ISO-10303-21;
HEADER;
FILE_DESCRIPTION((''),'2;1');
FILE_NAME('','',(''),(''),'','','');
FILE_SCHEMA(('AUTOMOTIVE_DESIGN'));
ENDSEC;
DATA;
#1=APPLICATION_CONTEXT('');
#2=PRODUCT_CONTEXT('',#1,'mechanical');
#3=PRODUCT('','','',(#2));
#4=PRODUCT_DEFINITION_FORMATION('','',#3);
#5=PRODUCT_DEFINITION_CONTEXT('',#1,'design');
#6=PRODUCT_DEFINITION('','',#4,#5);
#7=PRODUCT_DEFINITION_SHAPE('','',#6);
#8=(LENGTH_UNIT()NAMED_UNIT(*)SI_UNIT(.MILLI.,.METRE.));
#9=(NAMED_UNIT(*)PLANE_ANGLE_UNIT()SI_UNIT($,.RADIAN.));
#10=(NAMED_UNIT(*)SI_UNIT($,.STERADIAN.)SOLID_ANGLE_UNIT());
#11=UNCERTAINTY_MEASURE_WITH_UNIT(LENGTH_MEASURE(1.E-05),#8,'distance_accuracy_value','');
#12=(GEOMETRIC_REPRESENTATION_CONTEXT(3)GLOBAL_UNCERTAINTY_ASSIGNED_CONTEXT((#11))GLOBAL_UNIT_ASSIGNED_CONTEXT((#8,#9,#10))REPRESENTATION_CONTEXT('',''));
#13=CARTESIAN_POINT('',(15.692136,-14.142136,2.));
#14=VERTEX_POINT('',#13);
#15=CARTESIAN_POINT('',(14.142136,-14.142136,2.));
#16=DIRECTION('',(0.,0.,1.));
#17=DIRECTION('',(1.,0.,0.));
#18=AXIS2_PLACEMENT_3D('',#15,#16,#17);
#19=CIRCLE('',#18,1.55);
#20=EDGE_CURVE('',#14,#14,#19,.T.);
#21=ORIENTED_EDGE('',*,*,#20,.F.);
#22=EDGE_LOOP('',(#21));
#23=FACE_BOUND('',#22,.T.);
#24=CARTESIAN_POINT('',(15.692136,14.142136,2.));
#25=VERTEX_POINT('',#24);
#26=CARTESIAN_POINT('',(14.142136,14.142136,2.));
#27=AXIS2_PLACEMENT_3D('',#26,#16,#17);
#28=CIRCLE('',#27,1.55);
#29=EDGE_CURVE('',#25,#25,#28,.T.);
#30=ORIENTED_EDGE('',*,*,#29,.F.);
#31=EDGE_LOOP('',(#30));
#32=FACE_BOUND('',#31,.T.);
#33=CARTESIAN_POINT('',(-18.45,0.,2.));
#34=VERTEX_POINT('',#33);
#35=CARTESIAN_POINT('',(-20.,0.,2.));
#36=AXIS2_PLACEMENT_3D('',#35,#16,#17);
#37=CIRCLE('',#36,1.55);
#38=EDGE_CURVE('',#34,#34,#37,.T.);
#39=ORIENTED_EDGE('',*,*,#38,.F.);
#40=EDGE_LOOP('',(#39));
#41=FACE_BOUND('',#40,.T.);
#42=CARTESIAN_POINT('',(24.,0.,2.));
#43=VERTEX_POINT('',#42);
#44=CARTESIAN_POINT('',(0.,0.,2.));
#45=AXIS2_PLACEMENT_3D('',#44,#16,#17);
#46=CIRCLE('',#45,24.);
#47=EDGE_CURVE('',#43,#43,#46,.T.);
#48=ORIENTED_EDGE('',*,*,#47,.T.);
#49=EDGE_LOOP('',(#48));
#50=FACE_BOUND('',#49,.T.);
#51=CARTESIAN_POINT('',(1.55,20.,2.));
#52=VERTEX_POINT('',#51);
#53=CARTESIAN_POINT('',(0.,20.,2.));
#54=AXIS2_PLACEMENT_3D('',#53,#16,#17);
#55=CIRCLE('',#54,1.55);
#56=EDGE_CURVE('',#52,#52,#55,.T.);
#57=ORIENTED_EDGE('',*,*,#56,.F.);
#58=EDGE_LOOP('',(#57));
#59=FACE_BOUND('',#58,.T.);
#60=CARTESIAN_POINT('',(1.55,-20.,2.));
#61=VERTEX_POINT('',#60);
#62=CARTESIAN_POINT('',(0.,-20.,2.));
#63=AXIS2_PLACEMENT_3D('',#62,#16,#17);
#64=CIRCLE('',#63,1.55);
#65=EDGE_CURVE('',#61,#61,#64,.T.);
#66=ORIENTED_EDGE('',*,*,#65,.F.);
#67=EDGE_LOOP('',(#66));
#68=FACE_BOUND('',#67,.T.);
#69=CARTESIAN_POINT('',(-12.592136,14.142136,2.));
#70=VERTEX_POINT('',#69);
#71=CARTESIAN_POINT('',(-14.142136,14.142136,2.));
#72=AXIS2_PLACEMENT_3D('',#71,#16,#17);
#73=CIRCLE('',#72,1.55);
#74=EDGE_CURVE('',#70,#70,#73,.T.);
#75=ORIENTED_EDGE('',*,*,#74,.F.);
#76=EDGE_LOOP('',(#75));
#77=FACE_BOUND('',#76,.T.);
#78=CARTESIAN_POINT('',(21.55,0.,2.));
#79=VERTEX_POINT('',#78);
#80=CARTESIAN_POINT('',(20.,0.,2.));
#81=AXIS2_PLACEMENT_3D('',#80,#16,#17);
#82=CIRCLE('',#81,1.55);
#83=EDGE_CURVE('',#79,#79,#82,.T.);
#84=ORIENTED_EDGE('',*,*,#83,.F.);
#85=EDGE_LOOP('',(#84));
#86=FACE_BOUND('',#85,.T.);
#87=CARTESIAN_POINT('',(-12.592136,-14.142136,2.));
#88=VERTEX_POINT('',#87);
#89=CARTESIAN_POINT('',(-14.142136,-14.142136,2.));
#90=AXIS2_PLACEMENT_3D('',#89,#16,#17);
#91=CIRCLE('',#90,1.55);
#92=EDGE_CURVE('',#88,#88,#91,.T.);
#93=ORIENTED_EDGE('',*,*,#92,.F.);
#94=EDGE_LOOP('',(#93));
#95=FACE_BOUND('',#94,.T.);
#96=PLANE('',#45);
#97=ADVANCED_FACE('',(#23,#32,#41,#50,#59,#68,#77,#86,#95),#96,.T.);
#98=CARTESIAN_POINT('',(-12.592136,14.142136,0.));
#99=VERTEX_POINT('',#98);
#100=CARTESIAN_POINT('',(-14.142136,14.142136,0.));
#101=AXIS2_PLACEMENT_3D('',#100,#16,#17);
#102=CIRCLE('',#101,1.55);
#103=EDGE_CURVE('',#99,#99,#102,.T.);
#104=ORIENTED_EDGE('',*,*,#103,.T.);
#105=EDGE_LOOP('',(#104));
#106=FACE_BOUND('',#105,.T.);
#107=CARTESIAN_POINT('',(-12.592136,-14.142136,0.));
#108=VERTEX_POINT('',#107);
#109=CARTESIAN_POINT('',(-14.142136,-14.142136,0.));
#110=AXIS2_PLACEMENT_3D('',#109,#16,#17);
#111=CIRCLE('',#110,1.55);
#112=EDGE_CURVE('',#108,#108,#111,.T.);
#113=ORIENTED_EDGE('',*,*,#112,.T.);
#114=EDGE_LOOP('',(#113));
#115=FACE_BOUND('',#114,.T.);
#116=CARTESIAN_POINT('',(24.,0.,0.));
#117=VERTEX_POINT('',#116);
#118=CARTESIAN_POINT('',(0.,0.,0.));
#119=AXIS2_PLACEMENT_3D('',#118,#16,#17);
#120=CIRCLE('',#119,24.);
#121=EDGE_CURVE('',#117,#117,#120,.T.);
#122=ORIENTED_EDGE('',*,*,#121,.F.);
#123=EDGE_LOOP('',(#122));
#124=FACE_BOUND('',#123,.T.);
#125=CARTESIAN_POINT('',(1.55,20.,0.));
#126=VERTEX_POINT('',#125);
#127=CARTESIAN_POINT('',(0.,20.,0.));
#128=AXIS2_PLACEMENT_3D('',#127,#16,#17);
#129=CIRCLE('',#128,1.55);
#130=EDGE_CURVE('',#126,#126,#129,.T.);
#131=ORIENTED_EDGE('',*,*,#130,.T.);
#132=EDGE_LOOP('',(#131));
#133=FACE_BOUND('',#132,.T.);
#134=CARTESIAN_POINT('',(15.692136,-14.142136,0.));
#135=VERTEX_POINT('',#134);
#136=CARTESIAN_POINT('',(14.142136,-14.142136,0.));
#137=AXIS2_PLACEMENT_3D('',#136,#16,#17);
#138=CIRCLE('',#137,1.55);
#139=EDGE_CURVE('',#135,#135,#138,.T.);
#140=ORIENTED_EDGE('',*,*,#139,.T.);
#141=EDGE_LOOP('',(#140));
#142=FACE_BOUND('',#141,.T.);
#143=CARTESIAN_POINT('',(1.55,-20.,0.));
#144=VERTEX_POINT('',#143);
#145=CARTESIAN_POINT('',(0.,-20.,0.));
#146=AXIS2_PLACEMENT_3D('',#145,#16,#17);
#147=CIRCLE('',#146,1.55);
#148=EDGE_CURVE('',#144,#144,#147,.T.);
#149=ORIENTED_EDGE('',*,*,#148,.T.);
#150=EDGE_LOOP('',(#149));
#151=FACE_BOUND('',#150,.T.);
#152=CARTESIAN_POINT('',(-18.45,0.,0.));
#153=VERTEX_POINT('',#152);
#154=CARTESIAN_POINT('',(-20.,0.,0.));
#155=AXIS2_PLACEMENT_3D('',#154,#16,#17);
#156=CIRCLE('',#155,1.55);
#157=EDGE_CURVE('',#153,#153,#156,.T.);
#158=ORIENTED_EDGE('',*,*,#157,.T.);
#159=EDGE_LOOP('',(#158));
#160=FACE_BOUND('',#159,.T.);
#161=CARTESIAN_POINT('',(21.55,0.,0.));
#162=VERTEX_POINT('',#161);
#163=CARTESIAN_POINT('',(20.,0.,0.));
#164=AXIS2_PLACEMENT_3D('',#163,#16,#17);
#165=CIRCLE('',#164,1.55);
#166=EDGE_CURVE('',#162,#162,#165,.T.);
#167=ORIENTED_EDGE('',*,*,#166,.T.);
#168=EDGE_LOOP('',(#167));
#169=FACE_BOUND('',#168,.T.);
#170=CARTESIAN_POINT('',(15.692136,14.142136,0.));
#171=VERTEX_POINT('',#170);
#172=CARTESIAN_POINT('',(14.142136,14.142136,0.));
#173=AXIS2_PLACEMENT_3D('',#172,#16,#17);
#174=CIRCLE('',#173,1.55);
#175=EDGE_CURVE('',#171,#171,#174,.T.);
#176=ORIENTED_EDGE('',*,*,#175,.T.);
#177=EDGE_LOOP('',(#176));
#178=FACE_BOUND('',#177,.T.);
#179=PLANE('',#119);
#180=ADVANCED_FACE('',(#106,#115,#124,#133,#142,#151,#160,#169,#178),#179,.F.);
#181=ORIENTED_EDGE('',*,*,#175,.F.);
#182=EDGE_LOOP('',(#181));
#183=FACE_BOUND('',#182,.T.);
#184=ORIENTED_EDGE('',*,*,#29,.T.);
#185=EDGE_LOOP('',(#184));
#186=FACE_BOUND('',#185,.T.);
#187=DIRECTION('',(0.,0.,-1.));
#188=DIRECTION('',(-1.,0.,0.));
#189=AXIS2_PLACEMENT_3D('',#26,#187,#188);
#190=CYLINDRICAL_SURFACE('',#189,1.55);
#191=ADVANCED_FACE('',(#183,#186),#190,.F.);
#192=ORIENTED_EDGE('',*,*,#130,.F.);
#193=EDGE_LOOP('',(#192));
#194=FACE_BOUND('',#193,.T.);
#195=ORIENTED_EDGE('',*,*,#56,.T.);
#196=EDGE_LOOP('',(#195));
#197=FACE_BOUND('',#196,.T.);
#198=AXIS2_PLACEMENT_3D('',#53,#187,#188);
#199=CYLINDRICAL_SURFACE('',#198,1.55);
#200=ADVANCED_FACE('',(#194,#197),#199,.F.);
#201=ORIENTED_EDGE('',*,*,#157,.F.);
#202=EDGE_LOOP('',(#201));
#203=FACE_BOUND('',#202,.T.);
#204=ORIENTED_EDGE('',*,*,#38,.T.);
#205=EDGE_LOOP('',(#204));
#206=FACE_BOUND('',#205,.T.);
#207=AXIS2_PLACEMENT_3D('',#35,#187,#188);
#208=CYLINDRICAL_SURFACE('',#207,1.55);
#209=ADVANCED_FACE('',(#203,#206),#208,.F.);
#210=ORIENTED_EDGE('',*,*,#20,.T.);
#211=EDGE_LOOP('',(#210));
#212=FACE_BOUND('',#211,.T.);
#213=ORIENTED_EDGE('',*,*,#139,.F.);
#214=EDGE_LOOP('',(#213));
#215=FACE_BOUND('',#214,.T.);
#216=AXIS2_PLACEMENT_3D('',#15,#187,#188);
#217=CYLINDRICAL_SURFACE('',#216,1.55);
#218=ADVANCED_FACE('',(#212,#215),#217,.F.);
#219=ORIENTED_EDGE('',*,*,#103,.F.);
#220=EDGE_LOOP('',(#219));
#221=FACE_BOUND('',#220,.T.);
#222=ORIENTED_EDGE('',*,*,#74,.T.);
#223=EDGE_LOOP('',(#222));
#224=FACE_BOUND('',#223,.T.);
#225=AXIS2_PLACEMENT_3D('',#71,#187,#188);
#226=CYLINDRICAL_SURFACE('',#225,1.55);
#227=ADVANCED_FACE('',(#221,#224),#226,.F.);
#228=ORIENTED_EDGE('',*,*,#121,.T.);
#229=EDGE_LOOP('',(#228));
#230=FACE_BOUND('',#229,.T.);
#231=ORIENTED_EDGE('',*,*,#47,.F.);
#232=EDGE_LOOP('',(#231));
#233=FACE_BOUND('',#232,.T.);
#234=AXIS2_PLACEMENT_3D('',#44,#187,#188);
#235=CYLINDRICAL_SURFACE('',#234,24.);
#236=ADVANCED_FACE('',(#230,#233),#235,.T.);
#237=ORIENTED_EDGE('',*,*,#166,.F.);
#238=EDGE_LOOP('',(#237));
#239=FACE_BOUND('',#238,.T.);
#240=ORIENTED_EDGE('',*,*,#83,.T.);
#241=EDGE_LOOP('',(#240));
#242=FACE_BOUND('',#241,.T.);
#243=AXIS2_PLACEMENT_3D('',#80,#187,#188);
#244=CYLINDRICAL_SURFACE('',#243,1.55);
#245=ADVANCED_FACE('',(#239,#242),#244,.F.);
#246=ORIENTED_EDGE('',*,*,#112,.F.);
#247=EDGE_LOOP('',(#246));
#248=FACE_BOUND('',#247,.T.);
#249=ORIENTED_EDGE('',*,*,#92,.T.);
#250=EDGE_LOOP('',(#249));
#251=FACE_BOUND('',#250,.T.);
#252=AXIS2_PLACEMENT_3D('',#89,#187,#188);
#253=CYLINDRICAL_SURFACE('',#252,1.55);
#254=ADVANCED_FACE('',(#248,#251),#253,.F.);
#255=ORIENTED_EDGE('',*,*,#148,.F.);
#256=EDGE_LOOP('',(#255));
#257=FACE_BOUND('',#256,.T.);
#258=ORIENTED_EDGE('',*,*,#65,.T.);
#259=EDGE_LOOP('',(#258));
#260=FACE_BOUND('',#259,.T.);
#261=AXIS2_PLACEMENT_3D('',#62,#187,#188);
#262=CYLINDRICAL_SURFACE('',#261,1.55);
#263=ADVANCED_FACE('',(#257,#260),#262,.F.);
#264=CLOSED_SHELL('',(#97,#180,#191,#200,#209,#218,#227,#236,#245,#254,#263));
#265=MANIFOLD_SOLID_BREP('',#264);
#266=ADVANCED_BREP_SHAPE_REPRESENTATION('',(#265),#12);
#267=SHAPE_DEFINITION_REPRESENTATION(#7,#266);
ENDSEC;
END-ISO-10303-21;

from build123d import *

# Parameters (mm, degrees)
SKETCH1_R           = 24
SKETCH1_R_2         = 1.55
BOSS_EXTRUDE1_DEPTH = 2


with BuildPart() as part:
    # Sketch1 → Boss-Extrude1 (new body)
    with BuildSketch(Plane.XY):
        Circle(SKETCH1_R)
        with Locations((0, 20)):
            Circle(SKETCH1_R_2, mode=Mode.SUBTRACT)
        with Locations((14.142135624, 14.142135624)):
            Circle(SKETCH1_R_2, mode=Mode.SUBTRACT)
        with Locations((20, 0)):
            Circle(SKETCH1_R_2, mode=Mode.SUBTRACT)
        with Locations((14.142135624, -14.142135624)):
            Circle(SKETCH1_R_2, mode=Mode.SUBTRACT)
        with Locations((0, -20)):
            Circle(SKETCH1_R_2, mode=Mode.SUBTRACT)
        with Locations((-14.142135624, -14.142135624)):
            Circle(SKETCH1_R_2, mode=Mode.SUBTRACT)
        with Locations((-20, 0)):
            Circle(SKETCH1_R_2, mode=Mode.SUBTRACT)
        with Locations((-14.142135624, 14.142135624)):
            Circle(SKETCH1_R_2, mode=Mode.SUBTRACT)
    extrude(amount=BOSS_EXTRUDE1_DEPTH)


solid = part.part
